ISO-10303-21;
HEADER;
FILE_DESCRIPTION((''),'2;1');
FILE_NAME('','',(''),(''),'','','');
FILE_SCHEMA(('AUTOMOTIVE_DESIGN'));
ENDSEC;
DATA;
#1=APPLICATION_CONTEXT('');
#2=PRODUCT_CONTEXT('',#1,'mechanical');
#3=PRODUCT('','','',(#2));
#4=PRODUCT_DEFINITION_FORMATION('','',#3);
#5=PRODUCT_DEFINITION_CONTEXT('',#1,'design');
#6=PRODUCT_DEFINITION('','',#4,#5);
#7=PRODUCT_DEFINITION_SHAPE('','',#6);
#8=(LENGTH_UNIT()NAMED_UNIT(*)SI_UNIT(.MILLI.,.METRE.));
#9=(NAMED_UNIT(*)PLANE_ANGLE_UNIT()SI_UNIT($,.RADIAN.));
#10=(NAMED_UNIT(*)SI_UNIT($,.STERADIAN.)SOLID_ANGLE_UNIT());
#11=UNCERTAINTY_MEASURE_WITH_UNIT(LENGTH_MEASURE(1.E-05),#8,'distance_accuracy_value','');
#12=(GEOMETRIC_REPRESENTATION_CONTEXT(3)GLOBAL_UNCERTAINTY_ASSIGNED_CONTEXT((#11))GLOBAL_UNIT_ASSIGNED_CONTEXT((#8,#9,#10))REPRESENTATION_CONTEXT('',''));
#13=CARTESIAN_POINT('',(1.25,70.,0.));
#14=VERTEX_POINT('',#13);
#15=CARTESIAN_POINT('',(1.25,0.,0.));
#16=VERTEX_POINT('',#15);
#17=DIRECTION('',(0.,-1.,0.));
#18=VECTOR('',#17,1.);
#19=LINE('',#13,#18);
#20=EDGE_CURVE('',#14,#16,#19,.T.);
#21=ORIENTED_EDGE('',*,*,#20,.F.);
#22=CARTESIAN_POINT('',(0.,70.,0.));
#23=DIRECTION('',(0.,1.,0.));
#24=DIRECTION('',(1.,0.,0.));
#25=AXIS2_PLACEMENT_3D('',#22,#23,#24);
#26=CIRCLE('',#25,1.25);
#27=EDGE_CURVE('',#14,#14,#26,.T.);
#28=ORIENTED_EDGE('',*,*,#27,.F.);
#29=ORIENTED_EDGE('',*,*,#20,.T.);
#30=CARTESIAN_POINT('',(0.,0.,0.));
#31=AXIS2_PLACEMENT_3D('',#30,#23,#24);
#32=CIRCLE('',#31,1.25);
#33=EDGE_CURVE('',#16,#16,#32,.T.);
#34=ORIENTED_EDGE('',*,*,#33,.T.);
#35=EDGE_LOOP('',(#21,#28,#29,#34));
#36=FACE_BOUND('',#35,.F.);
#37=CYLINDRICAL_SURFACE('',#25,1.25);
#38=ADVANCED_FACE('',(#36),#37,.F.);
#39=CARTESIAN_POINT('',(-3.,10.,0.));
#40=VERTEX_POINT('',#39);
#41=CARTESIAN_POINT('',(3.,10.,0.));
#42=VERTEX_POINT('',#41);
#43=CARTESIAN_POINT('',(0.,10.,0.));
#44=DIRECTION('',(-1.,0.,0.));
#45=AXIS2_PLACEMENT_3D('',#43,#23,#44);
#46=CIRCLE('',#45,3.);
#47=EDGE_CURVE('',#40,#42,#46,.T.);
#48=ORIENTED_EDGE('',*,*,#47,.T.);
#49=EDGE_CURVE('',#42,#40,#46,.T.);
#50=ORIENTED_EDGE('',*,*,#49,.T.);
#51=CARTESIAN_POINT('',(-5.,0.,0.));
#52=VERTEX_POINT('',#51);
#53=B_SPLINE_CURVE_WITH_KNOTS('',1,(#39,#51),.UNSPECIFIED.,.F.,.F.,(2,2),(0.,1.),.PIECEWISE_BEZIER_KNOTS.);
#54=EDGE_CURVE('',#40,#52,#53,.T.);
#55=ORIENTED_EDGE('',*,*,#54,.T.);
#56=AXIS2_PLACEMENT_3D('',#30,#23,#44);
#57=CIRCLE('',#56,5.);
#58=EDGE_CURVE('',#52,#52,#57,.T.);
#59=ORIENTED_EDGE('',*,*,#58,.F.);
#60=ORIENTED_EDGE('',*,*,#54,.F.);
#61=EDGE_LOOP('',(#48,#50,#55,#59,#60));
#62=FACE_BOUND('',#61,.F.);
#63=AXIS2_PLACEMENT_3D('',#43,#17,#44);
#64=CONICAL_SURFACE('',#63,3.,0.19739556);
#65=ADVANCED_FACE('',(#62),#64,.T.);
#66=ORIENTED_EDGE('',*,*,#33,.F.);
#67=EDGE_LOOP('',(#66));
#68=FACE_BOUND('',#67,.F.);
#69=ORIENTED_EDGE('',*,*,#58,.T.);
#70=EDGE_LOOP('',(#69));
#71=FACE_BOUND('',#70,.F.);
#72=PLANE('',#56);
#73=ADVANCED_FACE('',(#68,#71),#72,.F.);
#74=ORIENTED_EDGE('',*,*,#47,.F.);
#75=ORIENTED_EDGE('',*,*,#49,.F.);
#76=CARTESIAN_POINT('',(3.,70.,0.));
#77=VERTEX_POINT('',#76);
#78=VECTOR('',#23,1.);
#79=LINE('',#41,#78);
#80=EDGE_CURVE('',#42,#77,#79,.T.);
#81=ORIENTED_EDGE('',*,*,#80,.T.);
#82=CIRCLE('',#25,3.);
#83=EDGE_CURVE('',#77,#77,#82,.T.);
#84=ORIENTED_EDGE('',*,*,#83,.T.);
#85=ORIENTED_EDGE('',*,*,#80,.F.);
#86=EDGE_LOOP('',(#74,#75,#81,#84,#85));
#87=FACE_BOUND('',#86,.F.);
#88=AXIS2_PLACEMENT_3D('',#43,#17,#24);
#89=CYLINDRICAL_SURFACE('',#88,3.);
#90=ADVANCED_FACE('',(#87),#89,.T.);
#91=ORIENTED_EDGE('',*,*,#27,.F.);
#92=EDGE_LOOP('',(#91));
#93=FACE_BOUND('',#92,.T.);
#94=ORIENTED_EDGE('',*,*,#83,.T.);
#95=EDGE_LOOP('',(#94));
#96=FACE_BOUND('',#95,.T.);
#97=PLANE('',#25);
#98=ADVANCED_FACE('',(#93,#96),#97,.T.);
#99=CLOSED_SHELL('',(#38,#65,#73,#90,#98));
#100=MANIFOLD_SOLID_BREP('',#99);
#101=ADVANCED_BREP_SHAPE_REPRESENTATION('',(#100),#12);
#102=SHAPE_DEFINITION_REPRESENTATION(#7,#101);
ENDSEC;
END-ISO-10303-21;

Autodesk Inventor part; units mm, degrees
ref_plane "Work Plane1" through (0, 10, 0) normal (0, 1, 0) x (-1, 0, 0)
sketch "Sketch1" plane through (0, 0, 0) normal (0, 1, 0) x (-1, 0, 0)
  circle A0 centre (0, 0) radius 5
sketch "Sketch2" plane through (0, 10, 0) normal (0, 1, 0) x (-1, 0, 0)
  circle A0 centre (0, 0) radius 3
loft "Loft1" add profiles "Sketch2", "Sketch1"
sketch "Sketch3" plane through (0, 10, 0) normal (0, 1, 0) x (1, 0, 0)
  circle A0 centre (0, 0) radius 3
extrude "Extrusion1" add sketch "Sketch3" along normal blind 60
sketch "Sketch4" plane through (0, 70, 0) normal (0, 1, 0) x (1, 0, 0)
  circle A0 centre (0, 0) radius 1.25
extrude "Extrusion2" cut sketch "Sketch4" against normal blind 80
properties part number "Towers"
